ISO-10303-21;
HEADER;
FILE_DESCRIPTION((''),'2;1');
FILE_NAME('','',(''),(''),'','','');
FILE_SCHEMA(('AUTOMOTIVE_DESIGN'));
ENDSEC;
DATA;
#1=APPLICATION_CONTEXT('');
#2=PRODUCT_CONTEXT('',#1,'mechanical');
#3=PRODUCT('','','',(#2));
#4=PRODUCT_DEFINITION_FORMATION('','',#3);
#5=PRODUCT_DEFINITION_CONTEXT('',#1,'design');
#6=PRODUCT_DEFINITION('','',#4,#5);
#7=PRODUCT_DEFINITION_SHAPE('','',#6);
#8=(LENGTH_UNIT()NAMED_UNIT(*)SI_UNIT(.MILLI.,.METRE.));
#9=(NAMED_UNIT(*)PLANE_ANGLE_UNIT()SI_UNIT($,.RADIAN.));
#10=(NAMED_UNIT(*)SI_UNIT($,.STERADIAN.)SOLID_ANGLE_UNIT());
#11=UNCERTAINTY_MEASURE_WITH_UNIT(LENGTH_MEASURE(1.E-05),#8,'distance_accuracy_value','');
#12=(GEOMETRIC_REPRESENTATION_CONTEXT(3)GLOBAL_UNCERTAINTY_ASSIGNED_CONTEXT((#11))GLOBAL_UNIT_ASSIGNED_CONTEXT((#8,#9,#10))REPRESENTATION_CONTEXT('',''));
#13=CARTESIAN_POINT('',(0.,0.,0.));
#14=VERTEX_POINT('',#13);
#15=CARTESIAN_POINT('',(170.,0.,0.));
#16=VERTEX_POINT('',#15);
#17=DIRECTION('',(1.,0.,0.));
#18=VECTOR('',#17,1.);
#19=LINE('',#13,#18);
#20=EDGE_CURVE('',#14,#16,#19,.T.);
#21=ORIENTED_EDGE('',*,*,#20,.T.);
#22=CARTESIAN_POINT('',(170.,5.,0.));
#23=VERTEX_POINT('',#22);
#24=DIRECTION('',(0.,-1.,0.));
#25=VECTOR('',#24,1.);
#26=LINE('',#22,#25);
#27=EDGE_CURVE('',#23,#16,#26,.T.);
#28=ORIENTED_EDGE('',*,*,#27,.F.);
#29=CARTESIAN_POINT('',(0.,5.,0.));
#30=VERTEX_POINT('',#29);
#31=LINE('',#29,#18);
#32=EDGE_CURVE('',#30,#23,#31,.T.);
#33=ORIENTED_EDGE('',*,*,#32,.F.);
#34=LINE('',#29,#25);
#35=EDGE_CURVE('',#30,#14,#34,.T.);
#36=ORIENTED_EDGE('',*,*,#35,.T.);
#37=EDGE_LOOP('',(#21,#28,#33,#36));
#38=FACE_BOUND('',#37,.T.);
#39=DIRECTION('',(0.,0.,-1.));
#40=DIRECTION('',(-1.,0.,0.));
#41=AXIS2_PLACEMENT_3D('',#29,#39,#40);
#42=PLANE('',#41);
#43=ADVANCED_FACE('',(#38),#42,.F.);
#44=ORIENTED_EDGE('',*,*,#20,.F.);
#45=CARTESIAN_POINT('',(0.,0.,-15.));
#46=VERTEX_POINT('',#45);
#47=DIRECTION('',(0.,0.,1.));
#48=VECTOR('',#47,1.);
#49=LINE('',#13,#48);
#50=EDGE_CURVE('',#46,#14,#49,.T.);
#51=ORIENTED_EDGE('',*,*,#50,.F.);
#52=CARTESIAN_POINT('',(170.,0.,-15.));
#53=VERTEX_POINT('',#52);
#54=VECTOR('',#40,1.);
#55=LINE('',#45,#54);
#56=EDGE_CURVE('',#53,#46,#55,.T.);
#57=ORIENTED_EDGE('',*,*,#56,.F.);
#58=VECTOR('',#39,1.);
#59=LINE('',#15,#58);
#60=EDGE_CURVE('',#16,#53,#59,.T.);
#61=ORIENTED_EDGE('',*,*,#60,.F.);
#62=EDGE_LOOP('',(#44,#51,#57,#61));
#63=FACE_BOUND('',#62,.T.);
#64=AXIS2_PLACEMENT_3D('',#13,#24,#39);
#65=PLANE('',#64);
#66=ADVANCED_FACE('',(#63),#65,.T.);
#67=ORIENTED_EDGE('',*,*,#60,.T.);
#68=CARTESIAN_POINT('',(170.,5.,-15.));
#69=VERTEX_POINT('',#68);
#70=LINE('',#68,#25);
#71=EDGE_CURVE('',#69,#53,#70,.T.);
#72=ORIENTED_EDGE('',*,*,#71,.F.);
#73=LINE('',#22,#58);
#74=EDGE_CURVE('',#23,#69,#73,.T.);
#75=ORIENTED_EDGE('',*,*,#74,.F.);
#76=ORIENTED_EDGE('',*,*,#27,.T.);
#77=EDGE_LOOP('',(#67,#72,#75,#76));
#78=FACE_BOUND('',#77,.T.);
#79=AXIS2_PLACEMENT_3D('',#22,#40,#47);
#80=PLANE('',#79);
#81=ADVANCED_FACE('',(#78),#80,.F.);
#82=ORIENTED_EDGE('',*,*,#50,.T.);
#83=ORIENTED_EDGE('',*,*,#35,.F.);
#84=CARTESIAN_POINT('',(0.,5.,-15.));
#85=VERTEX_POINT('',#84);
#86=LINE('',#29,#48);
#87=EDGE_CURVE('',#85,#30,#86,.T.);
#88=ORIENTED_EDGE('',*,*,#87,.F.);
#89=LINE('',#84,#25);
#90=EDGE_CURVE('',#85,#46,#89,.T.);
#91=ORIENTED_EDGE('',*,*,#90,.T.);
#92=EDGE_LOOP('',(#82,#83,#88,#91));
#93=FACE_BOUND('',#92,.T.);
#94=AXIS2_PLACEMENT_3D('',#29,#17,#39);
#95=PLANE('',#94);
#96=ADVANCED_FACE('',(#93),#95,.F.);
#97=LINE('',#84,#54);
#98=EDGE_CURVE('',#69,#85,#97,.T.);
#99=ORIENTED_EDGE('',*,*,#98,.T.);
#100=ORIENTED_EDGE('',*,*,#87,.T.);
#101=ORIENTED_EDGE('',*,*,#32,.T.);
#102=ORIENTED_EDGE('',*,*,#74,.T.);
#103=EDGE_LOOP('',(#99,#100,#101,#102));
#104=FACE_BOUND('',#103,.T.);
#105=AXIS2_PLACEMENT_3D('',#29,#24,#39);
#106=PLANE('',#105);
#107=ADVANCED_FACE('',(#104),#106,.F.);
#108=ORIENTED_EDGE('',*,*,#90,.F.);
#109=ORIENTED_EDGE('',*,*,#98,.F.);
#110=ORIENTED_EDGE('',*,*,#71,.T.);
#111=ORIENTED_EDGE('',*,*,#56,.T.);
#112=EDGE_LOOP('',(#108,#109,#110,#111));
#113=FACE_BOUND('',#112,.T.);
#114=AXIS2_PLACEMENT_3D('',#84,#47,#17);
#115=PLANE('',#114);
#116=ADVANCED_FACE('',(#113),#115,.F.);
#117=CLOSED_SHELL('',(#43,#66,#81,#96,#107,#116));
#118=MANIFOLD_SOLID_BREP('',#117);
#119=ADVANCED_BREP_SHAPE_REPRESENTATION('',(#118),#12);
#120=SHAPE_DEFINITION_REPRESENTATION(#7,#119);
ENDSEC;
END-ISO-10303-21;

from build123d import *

# Parameters (mm, degrees)
CROQUIS1_W              = 170
CROQUIS1_H              = 15
SALIENTE_EXTRUIR1_DEPTH = 5


with BuildPart() as part:
    # Croquis1 → Saliente-Extruir1 (new body)
    with BuildSketch(Plane(origin=(0, 0, 0), x_dir=(1, 0, 0), z_dir=(0, 1, 0))):
        with Locations((85, 7.5)):
            Rectangle(CROQUIS1_W, CROQUIS1_H)
    extrude(amount=SALIENTE_EXTRUIR1_DEPTH)


solid = part.part
